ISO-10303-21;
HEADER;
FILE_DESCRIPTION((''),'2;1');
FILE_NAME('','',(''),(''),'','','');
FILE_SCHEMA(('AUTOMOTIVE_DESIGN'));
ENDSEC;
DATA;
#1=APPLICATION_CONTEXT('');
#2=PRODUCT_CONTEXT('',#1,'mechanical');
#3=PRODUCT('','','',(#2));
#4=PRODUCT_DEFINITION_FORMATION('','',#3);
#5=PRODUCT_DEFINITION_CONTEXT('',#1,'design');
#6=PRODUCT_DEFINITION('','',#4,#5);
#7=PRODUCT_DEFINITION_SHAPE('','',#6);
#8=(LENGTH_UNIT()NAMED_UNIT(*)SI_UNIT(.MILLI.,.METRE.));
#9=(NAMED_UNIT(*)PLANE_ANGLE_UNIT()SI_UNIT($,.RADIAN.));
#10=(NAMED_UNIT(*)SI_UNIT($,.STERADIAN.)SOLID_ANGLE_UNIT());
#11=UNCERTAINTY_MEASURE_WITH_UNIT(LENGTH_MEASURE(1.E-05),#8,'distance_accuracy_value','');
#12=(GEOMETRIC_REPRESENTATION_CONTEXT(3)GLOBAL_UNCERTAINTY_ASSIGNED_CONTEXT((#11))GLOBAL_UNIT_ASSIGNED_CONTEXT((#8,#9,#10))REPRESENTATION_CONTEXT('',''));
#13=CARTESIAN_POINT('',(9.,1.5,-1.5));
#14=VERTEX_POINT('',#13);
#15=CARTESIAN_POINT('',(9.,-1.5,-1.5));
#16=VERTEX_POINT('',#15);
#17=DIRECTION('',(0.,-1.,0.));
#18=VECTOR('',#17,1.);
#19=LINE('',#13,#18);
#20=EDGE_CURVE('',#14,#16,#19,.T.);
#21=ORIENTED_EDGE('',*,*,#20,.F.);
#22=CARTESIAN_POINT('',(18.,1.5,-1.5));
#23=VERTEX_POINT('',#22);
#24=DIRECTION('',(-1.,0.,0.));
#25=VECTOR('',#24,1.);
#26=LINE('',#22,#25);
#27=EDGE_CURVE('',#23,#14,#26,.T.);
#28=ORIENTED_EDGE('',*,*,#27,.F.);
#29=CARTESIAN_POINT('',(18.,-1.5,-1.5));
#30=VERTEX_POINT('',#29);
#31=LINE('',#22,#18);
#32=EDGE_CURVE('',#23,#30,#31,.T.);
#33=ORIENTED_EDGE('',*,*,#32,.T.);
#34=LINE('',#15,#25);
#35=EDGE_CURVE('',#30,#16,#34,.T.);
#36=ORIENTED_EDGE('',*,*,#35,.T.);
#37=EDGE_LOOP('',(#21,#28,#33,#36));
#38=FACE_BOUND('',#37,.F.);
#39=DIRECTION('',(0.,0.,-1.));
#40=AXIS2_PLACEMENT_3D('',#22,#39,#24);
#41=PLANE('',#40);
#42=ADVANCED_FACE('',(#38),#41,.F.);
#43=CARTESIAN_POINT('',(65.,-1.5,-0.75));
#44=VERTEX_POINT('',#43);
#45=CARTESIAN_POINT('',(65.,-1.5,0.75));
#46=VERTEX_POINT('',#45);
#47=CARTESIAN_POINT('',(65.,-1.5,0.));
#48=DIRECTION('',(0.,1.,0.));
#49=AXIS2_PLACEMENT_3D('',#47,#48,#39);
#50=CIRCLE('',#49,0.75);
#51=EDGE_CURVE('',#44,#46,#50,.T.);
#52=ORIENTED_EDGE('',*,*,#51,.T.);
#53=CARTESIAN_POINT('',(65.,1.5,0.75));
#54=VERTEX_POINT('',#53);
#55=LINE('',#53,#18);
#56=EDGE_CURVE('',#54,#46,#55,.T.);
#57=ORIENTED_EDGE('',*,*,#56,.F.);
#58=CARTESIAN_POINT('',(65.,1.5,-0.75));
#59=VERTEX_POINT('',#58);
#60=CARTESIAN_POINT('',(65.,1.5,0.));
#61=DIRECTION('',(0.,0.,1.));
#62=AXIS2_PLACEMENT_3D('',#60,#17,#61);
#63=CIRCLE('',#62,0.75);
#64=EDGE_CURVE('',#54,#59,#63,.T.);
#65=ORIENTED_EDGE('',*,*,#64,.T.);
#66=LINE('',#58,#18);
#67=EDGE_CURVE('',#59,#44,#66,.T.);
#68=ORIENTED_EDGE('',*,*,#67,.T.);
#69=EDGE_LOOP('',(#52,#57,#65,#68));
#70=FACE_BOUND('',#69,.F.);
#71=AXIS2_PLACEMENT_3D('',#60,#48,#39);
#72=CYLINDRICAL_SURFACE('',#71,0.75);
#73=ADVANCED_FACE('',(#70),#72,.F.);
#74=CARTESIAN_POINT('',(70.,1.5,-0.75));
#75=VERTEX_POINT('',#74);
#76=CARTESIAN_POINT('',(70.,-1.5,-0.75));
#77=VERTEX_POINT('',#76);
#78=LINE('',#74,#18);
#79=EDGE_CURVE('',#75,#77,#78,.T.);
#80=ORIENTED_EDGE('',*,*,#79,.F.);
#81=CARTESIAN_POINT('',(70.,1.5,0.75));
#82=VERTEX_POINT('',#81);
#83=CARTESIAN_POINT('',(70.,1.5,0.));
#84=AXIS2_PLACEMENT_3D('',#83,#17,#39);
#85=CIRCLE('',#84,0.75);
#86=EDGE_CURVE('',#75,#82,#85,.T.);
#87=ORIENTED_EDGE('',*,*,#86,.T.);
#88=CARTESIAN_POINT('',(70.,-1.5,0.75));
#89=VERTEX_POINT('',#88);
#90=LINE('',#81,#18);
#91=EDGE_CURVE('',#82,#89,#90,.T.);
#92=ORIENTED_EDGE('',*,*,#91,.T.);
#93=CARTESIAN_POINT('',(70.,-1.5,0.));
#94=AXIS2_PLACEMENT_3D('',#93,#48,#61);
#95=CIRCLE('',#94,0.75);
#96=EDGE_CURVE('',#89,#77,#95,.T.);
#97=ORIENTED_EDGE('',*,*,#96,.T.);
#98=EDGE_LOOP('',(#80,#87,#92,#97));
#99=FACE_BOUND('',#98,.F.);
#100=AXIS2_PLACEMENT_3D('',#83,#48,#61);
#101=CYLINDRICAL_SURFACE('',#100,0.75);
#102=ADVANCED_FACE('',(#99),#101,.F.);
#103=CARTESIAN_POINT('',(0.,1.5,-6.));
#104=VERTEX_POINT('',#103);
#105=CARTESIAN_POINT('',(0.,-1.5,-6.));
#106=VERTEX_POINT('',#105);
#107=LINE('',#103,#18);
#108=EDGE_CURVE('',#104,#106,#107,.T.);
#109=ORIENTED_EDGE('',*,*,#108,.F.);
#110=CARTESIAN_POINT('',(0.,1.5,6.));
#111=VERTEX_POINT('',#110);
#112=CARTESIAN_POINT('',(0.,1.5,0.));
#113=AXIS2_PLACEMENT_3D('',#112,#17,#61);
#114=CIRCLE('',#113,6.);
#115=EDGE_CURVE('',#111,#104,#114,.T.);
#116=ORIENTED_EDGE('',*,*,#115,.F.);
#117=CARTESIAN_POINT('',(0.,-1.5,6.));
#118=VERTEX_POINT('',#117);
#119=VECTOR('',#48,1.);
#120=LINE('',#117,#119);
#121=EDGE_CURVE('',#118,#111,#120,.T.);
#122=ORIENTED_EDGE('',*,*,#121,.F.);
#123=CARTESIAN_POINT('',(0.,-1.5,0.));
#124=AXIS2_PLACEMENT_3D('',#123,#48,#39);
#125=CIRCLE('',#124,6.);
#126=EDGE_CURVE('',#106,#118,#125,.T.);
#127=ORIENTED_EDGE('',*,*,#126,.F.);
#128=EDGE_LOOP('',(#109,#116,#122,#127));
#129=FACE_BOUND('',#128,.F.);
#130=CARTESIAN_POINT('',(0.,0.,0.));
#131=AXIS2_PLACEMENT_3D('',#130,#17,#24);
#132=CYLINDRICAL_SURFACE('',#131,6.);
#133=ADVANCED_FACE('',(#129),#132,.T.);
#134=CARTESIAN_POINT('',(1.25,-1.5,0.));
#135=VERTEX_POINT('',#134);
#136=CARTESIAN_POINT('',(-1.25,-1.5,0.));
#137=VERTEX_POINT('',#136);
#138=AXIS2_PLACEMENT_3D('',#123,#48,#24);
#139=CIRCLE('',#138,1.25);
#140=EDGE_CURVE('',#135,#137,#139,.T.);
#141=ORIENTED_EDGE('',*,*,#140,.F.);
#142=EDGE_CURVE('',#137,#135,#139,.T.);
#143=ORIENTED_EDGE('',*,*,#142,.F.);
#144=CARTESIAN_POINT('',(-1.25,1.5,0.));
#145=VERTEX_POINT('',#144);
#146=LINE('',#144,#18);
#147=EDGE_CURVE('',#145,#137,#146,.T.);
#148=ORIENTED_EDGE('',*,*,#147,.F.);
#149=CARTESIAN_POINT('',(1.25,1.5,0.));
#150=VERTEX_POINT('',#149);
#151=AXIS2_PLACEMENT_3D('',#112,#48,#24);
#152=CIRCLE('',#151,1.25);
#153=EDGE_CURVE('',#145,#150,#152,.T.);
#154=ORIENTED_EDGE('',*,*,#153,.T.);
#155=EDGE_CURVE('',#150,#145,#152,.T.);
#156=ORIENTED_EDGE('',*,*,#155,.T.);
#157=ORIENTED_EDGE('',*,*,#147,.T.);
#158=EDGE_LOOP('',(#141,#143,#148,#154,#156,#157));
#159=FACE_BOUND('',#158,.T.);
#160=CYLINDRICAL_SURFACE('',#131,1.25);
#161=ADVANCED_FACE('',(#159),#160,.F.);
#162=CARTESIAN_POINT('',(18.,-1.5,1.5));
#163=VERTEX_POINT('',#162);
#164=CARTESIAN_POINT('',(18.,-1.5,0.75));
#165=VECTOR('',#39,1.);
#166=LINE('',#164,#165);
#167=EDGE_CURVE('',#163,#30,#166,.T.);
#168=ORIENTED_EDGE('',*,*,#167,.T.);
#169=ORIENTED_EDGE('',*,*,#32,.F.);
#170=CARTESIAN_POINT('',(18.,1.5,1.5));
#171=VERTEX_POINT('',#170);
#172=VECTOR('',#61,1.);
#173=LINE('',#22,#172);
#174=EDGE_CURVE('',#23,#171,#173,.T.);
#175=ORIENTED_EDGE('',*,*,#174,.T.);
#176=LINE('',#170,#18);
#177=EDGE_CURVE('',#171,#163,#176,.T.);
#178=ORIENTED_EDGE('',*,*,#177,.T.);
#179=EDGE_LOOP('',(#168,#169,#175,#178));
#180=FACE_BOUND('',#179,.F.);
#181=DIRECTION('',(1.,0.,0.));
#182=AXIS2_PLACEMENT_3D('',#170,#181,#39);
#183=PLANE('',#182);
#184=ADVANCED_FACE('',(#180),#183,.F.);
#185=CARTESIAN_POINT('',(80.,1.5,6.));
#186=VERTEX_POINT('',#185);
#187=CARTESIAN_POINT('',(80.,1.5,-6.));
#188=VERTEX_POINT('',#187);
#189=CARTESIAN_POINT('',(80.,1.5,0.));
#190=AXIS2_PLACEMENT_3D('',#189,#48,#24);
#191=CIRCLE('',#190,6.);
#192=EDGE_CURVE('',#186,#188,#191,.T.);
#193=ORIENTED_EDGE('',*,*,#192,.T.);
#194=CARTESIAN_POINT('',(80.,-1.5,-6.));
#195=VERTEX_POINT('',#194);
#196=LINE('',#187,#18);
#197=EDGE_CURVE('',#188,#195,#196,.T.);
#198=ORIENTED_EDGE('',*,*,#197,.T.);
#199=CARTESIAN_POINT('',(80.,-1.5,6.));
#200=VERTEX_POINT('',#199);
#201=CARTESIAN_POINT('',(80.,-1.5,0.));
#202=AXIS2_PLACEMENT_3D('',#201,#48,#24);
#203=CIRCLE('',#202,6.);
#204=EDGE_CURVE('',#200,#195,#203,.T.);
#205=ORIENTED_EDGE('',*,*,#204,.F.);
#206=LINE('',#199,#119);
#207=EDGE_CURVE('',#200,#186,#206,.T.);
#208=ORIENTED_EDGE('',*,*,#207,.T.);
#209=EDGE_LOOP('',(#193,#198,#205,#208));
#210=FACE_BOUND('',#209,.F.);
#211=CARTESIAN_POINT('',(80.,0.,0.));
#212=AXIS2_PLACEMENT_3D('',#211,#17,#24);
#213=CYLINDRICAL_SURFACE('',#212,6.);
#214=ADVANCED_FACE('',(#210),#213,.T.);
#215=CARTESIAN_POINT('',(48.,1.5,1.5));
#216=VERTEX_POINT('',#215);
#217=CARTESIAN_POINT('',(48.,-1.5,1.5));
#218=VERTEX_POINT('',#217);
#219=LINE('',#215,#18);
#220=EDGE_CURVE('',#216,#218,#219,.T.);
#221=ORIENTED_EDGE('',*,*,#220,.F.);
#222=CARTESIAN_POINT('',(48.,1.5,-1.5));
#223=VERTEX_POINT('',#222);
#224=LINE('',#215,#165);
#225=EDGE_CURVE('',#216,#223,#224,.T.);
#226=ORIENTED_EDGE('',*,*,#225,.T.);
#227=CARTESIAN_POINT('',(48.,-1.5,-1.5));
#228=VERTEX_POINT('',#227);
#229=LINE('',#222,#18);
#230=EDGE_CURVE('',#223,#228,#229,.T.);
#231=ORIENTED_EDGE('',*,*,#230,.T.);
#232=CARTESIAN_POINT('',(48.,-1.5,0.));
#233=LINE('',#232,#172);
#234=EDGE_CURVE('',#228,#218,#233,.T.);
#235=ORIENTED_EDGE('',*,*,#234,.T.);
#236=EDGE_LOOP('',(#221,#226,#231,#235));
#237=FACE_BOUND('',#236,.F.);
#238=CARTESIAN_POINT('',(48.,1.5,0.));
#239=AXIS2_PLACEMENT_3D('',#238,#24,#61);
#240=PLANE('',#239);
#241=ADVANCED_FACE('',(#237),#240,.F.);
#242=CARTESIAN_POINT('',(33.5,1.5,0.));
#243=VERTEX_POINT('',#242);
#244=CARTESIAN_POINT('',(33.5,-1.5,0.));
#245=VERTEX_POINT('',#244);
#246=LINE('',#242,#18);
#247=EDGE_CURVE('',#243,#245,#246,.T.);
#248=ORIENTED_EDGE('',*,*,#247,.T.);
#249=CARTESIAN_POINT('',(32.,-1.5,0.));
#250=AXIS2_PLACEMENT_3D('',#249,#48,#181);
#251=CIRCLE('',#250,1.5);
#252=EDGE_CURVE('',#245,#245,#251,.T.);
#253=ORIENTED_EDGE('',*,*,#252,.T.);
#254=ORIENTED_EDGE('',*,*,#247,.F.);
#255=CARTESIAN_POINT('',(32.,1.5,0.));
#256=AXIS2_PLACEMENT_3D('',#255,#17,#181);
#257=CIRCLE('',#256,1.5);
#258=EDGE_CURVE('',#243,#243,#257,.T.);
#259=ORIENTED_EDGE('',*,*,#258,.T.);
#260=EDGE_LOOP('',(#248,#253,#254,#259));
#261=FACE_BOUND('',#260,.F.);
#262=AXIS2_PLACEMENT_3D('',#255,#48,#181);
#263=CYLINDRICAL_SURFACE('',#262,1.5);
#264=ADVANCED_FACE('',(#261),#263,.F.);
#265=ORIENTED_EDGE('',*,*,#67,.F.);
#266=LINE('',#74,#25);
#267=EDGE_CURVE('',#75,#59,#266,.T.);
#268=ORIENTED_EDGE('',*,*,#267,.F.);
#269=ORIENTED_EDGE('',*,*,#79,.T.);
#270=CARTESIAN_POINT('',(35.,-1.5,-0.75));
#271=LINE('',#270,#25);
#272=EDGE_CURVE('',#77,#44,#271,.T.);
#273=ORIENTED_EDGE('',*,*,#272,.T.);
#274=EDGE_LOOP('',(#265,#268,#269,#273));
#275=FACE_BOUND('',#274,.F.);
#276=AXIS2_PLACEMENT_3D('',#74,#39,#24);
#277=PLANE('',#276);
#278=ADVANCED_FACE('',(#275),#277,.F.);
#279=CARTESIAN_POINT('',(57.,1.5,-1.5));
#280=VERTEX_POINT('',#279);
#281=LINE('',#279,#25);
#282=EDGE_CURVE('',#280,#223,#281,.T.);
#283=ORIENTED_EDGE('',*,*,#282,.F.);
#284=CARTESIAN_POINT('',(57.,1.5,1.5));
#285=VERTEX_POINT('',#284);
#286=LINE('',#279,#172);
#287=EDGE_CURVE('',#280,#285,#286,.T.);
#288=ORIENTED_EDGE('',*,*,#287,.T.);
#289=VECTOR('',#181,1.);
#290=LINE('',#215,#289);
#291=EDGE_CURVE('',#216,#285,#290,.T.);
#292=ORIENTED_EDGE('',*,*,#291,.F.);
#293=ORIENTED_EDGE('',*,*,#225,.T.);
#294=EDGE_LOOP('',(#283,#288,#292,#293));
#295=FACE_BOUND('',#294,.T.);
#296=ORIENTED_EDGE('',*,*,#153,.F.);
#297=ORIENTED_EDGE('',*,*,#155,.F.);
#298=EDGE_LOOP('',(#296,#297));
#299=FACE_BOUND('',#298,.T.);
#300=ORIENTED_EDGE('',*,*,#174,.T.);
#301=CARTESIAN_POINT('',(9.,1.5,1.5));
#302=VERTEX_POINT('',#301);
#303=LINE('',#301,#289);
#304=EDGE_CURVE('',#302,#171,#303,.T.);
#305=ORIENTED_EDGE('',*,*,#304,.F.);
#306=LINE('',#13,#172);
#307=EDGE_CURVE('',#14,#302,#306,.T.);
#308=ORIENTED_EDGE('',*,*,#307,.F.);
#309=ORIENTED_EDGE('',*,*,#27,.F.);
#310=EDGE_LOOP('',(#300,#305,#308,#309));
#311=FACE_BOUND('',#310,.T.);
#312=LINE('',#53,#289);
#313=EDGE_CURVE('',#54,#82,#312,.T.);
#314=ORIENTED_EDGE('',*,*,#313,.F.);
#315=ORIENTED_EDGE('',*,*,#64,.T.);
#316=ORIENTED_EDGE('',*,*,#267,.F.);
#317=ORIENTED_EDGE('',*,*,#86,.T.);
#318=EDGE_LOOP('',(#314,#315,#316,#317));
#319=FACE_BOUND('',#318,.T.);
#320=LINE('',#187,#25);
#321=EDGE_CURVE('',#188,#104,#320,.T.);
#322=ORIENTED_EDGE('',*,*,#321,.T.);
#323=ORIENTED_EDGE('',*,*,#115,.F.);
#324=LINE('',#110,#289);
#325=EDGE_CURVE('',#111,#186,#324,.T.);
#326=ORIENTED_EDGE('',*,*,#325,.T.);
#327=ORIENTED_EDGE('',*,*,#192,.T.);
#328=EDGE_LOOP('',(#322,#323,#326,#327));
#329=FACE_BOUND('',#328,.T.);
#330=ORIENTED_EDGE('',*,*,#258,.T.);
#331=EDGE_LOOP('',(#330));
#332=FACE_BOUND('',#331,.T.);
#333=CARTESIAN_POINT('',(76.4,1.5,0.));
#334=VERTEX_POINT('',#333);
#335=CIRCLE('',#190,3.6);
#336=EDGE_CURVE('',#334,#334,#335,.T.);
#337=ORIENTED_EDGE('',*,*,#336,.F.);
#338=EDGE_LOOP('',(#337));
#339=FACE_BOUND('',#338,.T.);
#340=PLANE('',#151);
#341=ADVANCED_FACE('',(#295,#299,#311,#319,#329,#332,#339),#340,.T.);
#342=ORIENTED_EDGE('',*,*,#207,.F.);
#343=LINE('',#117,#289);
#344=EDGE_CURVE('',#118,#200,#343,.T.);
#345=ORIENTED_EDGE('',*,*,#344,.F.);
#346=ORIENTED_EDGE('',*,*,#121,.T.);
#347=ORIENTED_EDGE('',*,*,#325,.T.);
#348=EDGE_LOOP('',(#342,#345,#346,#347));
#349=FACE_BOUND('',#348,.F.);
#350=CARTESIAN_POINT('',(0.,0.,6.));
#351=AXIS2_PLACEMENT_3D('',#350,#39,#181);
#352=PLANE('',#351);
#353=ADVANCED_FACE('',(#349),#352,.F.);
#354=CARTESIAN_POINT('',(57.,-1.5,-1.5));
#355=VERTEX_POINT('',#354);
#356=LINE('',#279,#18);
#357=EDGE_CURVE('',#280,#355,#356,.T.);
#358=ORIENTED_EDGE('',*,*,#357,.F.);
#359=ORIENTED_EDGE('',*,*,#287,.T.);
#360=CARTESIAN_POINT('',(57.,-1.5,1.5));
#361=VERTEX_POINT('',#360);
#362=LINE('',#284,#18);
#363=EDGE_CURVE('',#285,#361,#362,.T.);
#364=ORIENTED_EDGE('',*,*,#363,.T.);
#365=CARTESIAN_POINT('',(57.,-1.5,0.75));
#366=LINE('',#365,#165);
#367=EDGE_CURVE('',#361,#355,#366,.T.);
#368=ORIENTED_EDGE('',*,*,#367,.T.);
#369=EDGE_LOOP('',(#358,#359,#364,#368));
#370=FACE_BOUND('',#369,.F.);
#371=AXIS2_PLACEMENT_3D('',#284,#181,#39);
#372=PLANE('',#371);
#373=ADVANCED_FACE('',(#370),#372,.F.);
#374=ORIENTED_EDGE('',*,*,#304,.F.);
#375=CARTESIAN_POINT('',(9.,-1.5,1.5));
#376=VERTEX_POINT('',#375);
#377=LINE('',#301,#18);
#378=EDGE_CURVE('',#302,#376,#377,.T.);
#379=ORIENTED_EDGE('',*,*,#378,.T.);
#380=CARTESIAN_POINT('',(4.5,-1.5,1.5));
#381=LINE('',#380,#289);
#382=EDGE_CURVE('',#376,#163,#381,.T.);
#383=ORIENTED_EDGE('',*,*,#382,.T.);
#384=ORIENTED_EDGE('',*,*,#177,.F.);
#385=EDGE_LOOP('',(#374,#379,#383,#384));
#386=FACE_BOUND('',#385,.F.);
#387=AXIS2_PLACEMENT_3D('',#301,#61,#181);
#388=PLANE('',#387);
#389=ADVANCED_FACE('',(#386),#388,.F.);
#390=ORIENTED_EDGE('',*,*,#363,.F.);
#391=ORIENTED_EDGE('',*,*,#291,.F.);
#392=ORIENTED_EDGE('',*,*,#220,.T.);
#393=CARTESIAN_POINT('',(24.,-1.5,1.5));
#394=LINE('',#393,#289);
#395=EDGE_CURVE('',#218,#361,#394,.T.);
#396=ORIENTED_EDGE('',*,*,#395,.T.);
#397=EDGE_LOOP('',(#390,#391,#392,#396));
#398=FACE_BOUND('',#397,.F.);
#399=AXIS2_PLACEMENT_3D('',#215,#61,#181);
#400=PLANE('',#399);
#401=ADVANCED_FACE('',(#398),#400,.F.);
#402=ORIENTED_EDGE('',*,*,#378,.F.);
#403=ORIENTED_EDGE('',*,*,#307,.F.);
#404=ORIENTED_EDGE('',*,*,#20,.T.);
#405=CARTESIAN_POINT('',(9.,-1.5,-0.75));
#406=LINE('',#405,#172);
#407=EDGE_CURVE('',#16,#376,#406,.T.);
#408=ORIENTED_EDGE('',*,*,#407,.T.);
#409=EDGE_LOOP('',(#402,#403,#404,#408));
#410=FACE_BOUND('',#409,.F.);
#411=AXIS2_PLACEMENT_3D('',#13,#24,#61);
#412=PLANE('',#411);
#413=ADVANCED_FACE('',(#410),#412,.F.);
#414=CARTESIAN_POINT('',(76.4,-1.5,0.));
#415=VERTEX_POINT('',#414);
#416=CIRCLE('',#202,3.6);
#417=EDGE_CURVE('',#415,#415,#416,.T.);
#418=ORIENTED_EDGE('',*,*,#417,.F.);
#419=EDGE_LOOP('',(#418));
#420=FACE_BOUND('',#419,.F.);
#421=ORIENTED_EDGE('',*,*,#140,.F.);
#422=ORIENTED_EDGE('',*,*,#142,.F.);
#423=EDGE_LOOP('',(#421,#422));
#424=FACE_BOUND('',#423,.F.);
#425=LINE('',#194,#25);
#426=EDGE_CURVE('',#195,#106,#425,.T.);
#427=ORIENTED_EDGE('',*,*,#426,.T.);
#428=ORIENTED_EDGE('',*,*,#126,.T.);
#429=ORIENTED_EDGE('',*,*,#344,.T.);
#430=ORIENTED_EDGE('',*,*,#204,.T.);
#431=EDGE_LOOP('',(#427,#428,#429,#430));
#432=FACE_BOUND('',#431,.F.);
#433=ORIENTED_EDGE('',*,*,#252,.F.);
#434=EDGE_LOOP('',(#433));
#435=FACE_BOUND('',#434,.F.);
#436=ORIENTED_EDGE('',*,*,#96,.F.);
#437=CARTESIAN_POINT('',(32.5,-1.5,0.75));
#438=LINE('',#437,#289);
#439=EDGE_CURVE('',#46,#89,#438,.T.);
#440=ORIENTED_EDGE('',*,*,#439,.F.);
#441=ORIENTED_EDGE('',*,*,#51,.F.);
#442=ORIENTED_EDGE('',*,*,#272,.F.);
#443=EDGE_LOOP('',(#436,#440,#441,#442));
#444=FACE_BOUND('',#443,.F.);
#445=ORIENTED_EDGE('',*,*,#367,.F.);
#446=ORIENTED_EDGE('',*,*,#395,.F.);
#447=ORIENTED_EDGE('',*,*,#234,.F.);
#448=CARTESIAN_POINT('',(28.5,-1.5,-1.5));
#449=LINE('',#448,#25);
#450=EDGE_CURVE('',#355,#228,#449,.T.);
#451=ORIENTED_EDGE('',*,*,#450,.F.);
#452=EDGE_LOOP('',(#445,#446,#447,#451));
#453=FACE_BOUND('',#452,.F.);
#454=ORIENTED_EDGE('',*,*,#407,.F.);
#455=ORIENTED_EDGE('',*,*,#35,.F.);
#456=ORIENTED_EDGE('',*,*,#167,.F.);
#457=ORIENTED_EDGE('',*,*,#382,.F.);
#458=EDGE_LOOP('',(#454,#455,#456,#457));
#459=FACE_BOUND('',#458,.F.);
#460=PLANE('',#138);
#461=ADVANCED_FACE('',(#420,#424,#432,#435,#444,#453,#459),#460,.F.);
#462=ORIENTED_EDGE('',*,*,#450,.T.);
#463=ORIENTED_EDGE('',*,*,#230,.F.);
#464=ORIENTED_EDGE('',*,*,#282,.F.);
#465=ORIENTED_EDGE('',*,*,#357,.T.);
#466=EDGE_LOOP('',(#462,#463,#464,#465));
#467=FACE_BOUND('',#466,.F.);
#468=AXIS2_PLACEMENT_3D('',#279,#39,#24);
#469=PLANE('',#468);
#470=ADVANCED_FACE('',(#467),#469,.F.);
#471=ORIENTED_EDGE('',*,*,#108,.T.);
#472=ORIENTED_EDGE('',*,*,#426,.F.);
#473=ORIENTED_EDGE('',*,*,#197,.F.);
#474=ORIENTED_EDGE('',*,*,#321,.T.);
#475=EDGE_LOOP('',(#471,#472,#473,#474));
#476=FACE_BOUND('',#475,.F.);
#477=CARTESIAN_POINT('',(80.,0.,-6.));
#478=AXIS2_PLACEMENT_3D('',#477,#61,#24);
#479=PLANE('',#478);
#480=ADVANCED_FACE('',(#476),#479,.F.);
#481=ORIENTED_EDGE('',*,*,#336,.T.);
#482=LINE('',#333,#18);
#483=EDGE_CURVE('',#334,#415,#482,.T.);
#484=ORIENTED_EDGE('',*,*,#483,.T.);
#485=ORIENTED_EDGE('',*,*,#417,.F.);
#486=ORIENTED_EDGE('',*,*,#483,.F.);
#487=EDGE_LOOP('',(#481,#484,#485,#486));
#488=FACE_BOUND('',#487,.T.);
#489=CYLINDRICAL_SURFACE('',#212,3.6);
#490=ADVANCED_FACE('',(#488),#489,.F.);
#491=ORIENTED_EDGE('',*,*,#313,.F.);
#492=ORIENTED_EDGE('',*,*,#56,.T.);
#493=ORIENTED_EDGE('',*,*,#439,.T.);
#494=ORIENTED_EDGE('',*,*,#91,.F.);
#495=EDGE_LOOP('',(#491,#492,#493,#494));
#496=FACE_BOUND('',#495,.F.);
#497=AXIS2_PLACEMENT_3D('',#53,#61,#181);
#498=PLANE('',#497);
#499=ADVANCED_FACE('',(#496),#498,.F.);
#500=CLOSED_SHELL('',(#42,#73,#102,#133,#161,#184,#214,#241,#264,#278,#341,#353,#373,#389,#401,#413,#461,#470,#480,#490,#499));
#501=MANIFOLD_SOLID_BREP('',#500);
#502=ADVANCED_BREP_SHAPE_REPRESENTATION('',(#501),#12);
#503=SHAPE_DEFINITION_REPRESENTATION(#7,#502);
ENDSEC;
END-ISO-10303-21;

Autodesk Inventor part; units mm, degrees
ref_plane "YZ Plane" through (0, 0, 0) normal (1, 0, 0) x (0, 1, 0)
ref_plane "XZ Plane" through (0, 0, 0) normal (0, 1, 0) x (-1, 0, 0)
ref_plane "XY Plane" through (0, 0, 0) normal (0, 0, 1) x (1, 0, 0)
sketch "草圖1" plane through (0, 0, 0) normal (0, 1, 0) x (-1, 0, 0)
  circle A0 centre (0, 0) radius 1.25
  line L0 (0, 0) -> (-80, 0)
  circle A1 centre (-80, 0) radius 3.6
  circle A2 centre (-80, 0) radius 6
  circle A3 centre (0, 0) radius 6
  line L1 (0, 6) -> (-80, 6)
  line L2 (-80, -6) -> (0, -6)
  dimension "d0" = 2.5
  dimension "d14" = 80
  dimension "d15" = 7.2
  dimension "d16" = 12
  dimension "d17" = 12
extrude "擠出1" add sketch "草圖1" along normal mid plane 3
sketch "草圖2" plane through (0, 1.5, 0) normal (0, 1, 0) x (1, 0, 0)
  circle A0 centre (80, 0) radius 3.6 projected
  circle A1 centre (0, 0) radius 1.25 projected
  arc A2 (0, 6) -> (0, -6) centre (0, 0) ccw projected
  line L0 (0, -6) -> (80, -6) projected
  arc A3 (80, -6) -> (80, 6) centre (80, 0) ccw projected
  line L1 (80, 6) -> (0, 6) projected
  line L2 (80, 0) -> (70, 0)
  line L3 (70, 0) -> (65, 0) construction
  line L4 (70, 0.75) -> (65, 0.75)
  line L5 (65, -0.75) -> (70, -0.75)
  arc A4 (70, -0.75) -> (70, 0.75) centre (70, 0) ccw
  arc A5 (65, 0.75) -> (65, -0.75) centre (65, 0) ccw
  line L6 (65, 0) -> (57, 0)
  line L7 (57, 0) -> (57, 1.5)
  line L8 (57, 1.5) -> (48, 1.5)
  line L9 (48, 1.5) -> (48, -1.5)
  line L10 (48, -1.5) -> (57, -1.5)
  line L11 (57, -1.5) -> (57, 0)
  line L12 (48, 0) -> (32, 0)
  circle A6 centre (32, 0) radius 1.5
  line L13 (32, 0) -> (18, 0)
  line L14 (18, 0) -> (18, 1.5)
  line L15 (18, 1.5) -> (9, 1.5)
  line L16 (9, 1.5) -> (9, -1.5)
  line L17 (9, -1.5) -> (18, -1.5)
  line L18 (18, -1.5) -> (18, 0)
  point P0 (67.5, 0)
  dimension "d18" = 10
  dimension "d19" = 5
  dimension "d20" = 1.5
  dimension "d21" = 8
  dimension "d22" = 1.5
  dimension "d23" = 9
  dimension "d24" = 3
  dimension "d25" = 16
  dimension "d27" = 3
  dimension "d28" = 14
  dimension "d29" = 1.5
  dimension "d30" = 9
  dimension "d31" = 3
extrude "擠出2" cut sketch "草圖2" against normal blind 10 contours L18 L17 L16 L15 L14 | A6 L13 L12 | L12 L13 A6 | L11 L10 L9 L8 L7 | A4 L5 A5 L4
properties part number "連接3"
